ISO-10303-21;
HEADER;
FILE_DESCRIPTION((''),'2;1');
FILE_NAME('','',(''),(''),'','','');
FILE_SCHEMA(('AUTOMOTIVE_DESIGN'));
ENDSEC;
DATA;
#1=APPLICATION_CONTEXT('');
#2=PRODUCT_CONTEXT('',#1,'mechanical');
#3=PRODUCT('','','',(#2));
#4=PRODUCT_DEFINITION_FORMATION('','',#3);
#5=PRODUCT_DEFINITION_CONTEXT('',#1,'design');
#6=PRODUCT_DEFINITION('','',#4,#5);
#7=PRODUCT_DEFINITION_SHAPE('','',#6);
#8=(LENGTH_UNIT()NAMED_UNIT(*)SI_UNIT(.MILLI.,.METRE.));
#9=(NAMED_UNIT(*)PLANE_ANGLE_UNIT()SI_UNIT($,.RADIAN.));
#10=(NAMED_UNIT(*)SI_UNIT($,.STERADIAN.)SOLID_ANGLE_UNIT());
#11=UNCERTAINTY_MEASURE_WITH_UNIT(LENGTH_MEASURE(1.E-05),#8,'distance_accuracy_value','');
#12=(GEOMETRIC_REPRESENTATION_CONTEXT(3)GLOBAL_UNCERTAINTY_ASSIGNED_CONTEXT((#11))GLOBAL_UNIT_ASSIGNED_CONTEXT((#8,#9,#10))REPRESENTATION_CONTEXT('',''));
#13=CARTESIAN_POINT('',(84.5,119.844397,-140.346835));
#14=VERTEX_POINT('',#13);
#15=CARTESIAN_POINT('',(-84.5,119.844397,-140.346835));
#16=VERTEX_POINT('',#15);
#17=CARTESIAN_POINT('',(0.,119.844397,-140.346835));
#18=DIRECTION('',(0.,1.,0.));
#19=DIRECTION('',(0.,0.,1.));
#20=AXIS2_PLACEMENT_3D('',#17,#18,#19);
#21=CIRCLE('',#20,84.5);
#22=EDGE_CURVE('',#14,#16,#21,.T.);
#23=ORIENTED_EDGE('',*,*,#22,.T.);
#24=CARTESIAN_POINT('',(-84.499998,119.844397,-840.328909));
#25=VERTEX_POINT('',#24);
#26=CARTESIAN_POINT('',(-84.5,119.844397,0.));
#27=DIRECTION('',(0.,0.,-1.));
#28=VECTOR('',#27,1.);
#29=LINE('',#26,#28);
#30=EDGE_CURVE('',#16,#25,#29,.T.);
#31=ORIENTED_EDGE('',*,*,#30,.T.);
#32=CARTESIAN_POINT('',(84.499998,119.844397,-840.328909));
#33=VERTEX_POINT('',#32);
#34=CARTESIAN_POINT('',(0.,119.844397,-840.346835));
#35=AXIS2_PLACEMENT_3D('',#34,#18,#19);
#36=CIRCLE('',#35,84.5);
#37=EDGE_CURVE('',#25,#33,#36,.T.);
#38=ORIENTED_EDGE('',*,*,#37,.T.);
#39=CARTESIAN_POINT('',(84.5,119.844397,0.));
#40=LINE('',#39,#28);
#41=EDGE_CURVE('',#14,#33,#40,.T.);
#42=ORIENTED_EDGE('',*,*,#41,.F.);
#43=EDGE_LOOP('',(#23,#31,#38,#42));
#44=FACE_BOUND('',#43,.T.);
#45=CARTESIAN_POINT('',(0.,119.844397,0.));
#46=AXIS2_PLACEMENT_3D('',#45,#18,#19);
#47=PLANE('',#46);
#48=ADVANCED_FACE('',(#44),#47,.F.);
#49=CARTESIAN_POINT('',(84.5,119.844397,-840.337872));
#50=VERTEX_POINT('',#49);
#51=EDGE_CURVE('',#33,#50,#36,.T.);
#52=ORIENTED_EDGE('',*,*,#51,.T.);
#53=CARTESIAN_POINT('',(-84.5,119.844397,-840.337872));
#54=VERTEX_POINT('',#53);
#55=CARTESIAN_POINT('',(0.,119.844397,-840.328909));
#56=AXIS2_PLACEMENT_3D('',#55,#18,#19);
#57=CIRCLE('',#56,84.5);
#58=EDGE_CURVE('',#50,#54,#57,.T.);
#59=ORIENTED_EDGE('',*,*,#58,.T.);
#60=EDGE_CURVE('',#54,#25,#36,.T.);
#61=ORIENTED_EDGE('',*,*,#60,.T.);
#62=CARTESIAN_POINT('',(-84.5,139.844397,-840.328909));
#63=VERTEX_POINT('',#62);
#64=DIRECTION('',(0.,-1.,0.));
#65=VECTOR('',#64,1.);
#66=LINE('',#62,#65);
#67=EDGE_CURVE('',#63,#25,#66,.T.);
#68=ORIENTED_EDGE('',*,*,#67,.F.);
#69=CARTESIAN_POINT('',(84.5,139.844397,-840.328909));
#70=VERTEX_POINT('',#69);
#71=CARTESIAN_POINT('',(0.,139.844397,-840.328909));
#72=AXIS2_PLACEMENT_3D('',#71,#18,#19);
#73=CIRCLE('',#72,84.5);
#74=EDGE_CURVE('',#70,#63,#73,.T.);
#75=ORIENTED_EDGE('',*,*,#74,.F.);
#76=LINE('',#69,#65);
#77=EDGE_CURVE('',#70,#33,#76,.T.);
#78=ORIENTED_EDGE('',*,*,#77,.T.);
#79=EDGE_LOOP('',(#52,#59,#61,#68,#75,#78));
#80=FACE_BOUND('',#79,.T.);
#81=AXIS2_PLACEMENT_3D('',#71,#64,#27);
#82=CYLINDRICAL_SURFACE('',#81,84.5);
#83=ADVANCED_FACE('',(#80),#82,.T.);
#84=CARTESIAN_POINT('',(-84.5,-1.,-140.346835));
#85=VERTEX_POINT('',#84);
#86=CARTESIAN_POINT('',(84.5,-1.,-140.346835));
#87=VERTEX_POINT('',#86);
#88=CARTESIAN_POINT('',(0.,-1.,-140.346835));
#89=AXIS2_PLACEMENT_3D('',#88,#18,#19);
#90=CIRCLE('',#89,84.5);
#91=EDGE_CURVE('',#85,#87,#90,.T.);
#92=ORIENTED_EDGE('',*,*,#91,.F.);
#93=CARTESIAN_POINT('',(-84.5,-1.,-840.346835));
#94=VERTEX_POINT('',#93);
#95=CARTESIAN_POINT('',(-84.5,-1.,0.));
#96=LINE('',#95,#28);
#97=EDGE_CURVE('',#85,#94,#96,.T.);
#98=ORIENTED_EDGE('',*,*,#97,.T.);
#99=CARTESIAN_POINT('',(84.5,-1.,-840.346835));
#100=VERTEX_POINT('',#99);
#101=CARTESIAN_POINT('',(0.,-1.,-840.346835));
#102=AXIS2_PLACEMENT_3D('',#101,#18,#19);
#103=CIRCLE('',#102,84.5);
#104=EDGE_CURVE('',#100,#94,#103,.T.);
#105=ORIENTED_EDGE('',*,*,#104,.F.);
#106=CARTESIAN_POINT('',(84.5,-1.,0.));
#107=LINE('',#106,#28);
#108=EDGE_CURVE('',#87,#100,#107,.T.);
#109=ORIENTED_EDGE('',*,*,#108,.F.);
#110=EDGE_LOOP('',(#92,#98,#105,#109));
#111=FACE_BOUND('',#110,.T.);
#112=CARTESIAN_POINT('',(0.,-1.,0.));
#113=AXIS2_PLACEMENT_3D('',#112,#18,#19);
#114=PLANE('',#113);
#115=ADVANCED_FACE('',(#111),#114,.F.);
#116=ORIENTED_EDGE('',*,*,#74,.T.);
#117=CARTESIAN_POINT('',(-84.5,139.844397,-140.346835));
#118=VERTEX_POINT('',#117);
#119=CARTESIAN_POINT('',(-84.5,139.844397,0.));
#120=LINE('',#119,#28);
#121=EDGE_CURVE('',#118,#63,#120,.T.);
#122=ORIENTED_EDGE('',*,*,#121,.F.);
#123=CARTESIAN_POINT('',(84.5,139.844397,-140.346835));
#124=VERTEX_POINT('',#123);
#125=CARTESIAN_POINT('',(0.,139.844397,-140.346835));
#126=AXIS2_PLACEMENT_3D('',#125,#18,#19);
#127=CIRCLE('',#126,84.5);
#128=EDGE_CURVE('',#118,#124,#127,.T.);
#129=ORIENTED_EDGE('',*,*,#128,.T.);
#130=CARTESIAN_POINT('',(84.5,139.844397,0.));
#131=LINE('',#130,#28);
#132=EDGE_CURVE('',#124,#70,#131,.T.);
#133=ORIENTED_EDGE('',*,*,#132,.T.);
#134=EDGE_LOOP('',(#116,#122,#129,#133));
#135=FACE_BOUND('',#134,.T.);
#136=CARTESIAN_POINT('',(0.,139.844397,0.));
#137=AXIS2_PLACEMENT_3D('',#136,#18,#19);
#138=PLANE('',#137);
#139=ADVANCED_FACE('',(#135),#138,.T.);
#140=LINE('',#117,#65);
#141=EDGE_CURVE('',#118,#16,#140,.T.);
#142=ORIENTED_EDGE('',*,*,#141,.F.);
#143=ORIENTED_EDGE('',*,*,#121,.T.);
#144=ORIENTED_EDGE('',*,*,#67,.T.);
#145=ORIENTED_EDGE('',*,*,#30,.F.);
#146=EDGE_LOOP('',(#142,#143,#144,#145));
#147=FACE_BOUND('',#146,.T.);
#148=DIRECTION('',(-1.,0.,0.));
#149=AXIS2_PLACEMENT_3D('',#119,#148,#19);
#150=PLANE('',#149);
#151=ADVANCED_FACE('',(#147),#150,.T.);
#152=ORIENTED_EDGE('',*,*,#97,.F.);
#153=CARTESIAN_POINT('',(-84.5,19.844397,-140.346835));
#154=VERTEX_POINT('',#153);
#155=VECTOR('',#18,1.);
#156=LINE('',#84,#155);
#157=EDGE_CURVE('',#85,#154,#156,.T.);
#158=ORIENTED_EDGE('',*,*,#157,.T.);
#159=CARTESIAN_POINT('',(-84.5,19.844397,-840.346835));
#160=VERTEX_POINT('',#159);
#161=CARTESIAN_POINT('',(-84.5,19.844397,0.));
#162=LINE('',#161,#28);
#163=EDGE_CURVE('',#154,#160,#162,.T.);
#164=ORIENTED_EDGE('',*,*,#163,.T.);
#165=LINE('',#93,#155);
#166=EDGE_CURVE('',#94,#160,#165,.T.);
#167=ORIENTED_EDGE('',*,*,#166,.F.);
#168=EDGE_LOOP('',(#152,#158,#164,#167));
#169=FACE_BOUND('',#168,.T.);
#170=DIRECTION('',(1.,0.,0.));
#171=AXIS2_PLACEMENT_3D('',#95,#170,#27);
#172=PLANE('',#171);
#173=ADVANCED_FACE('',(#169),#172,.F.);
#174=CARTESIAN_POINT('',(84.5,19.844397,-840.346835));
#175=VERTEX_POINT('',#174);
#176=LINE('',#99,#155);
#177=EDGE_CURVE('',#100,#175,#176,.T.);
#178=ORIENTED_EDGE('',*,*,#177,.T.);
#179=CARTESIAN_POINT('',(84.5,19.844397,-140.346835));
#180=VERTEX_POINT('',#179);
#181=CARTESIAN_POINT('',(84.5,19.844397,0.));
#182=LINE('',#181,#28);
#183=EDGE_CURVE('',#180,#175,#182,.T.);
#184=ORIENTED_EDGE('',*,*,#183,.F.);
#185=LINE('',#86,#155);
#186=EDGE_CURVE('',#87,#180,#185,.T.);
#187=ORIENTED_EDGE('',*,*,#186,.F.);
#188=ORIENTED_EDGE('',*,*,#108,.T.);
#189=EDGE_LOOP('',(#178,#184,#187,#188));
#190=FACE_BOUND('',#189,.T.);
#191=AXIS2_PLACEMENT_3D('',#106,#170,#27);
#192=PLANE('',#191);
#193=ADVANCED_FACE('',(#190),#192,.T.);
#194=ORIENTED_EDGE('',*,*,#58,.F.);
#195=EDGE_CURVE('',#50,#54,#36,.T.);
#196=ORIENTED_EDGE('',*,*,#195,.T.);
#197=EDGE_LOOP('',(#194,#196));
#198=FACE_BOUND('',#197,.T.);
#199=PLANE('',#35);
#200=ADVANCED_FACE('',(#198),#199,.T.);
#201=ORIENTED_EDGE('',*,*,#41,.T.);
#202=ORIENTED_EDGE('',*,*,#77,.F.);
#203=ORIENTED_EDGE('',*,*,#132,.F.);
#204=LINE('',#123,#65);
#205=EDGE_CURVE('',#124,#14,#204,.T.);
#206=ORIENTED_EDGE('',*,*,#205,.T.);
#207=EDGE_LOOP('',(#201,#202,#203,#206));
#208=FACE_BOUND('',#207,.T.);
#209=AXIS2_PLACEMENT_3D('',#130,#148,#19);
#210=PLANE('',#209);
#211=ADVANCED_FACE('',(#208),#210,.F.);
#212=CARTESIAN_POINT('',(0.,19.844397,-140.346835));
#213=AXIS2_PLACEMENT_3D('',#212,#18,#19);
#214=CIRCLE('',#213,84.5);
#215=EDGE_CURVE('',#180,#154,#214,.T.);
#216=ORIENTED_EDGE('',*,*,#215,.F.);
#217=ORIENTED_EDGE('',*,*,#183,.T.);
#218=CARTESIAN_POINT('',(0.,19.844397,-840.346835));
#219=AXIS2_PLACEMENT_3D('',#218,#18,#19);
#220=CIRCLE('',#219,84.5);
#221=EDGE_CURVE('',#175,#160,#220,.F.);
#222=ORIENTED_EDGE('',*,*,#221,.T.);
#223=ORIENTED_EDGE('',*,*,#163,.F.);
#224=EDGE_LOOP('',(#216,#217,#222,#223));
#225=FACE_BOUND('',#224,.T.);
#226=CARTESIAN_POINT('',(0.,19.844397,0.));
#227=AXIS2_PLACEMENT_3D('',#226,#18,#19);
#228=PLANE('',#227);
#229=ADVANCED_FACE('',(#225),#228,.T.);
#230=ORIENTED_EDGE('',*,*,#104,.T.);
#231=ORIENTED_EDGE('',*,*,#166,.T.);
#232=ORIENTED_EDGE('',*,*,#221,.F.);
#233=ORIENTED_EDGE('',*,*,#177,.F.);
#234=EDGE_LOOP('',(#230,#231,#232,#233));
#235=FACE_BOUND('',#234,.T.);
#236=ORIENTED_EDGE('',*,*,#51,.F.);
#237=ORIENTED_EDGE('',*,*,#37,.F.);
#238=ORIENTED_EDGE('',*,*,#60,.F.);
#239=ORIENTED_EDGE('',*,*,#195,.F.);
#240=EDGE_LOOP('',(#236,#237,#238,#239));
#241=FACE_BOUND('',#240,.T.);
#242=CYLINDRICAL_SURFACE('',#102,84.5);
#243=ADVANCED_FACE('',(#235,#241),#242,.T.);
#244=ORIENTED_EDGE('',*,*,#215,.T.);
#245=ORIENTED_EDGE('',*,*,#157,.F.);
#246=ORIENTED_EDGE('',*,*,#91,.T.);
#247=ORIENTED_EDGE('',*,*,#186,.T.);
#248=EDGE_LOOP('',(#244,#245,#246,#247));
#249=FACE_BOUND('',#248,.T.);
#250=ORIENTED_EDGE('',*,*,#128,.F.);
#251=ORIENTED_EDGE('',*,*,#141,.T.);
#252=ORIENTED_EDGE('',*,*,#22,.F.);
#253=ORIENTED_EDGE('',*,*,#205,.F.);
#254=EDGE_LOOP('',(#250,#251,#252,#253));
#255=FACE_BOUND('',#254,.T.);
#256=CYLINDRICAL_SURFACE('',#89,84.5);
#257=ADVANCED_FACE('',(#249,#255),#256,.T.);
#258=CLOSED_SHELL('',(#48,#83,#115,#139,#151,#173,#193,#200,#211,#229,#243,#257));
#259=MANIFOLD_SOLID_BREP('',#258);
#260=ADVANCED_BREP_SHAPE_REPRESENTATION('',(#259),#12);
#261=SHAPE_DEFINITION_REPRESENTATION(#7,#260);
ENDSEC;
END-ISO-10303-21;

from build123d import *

# Parameters (mm, degrees)
BOSS_EXTRUDE3_DEPTH      = 19.844397107
BOSS_EXTRUDE3_DEPTH_BACK = 1
SKETCH4_R                = 84.5
BOSS_EXTRUDE4_DEPTH      = 100
SKETCH6_R                = 84.5
BOSS_EXTRUDE6_DEPTH      = 100
BOSS_EXTRUDE7_DEPTH      = 20


with BuildPart() as part:
    # Sketch3 → Boss-Extrude3 (new, two sides: drawn at the far end of the back side and taken through both)
    with BuildSketch(Plane(origin=(0, 0, 0), x_dir=(1, 0, 0), z_dir=(0, 1, 0)).offset(-BOSS_EXTRUDE3_DEPTH_BACK)):
        with BuildLine():
            ThreePointArc((-84.5, 140.346835397), (0, 55.846835397), (84.5, 140.346835397))
            Line((84.5, 140.346835397), (-84.5, 140.346835397))
        make_face()
        with BuildLine():
            Line((-84.5, 140.346835397), (84.5, 140.346835397))
            ThreePointArc((84.5, 140.346835397), (0, 224.846835397), (-84.5, 140.346835397))
        make_face()
        with BuildLine():
            ThreePointArc((-84.5, 140.346835397), (0, 224.846835397), (84.5, 140.346835397))
            Line((84.5, 140.346835397), (84.5, 840.346835397))
            ThreePointArc((84.5, 840.346835397), (0, 755.846835397), (-84.5, 840.346835397))
            Line((-84.5, 840.346835397), (-84.5, 140.346835397))
        make_face()
        with BuildLine():
            ThreePointArc((-84.5, 840.346835397), (0, 755.846835397), (84.5, 840.346835397))
            Line((84.5, 840.346835397), (-84.5, 840.346835397))
        make_face()
        with BuildLine():
            Line((-84.5, 840.346835397), (84.5, 840.346835397))
            ThreePointArc((84.5, 840.346835397), (0, 924.846835397), (-84.5, 840.346835397))
        make_face()
    extrude(amount=BOSS_EXTRUDE3_DEPTH + BOSS_EXTRUDE3_DEPTH_BACK)

    # Sketch4 → Boss-Extrude4 (add)
    with BuildSketch(Plane(origin=(0, 19.844397107, 0), x_dir=(1, 0, 0), z_dir=(0, 1, 0))):
        with Locations(Location((0, 140.346835397, 0), (0, 0, 270))):
            Circle(SKETCH4_R)
    extrude(amount=BOSS_EXTRUDE4_DEPTH)

    # Sketch6 → Boss-Extrude6 (add)
    with BuildSketch(Plane(origin=(0, 19.844397107, 0), x_dir=(1, 0, 0), z_dir=(0, 1, 0))):
        with Locations(Location((0, 840.346835397, 0), (0, 0, 270))):
            Circle(SKETCH6_R)
    extrude(amount=BOSS_EXTRUDE6_DEPTH)

    # Sketch7 → Boss-Extrude7 (add)
    with BuildSketch(Plane(origin=(0, 119.844397107, 0), x_dir=(1, 0, 0), z_dir=(0, 1, 0))):
        with BuildLine():
            ThreePointArc((-84.5, 140.346835397), (0, 55.846835397), (84.5, 140.346835397))
            Line((84.5, 140.346835397), (-84.5, 140.346835397))
        make_face()
        with BuildLine():
            Line((-84.5, 140.346835397), (84.5, 140.346835397))
            ThreePointArc((84.5, 140.346835397), (0, 224.846835397), (-84.5, 140.346835397))
        make_face()
        with BuildLine():
            ThreePointArc((-84.5, 140.346835397), (0, 224.846835397), (84.5, 140.346835397))
            Line((84.5, 140.346835397), (84.5, 840.32890922))
            ThreePointArc((84.5, 840.32890922), (0, 755.82890922), (-84.5, 840.32890922))
            Line((-84.5, 840.32890922), (-84.5, 140.346835397))
        make_face()
        with BuildLine():
            ThreePointArc((-84.5, 840.32890922), (0, 755.82890922), (84.5, 840.32890922))
            Line((84.5, 840.32890922), (-84.5, 840.32890922))
        make_face()
        with BuildLine():
            Line((-84.5, 840.32890922), (84.5, 840.32890922))
            ThreePointArc((84.5, 840.32890922), (0, 924.82890922), (-84.5, 840.32890922))
        make_face()
    extrude(amount=BOSS_EXTRUDE7_DEPTH)


solid = part.part
